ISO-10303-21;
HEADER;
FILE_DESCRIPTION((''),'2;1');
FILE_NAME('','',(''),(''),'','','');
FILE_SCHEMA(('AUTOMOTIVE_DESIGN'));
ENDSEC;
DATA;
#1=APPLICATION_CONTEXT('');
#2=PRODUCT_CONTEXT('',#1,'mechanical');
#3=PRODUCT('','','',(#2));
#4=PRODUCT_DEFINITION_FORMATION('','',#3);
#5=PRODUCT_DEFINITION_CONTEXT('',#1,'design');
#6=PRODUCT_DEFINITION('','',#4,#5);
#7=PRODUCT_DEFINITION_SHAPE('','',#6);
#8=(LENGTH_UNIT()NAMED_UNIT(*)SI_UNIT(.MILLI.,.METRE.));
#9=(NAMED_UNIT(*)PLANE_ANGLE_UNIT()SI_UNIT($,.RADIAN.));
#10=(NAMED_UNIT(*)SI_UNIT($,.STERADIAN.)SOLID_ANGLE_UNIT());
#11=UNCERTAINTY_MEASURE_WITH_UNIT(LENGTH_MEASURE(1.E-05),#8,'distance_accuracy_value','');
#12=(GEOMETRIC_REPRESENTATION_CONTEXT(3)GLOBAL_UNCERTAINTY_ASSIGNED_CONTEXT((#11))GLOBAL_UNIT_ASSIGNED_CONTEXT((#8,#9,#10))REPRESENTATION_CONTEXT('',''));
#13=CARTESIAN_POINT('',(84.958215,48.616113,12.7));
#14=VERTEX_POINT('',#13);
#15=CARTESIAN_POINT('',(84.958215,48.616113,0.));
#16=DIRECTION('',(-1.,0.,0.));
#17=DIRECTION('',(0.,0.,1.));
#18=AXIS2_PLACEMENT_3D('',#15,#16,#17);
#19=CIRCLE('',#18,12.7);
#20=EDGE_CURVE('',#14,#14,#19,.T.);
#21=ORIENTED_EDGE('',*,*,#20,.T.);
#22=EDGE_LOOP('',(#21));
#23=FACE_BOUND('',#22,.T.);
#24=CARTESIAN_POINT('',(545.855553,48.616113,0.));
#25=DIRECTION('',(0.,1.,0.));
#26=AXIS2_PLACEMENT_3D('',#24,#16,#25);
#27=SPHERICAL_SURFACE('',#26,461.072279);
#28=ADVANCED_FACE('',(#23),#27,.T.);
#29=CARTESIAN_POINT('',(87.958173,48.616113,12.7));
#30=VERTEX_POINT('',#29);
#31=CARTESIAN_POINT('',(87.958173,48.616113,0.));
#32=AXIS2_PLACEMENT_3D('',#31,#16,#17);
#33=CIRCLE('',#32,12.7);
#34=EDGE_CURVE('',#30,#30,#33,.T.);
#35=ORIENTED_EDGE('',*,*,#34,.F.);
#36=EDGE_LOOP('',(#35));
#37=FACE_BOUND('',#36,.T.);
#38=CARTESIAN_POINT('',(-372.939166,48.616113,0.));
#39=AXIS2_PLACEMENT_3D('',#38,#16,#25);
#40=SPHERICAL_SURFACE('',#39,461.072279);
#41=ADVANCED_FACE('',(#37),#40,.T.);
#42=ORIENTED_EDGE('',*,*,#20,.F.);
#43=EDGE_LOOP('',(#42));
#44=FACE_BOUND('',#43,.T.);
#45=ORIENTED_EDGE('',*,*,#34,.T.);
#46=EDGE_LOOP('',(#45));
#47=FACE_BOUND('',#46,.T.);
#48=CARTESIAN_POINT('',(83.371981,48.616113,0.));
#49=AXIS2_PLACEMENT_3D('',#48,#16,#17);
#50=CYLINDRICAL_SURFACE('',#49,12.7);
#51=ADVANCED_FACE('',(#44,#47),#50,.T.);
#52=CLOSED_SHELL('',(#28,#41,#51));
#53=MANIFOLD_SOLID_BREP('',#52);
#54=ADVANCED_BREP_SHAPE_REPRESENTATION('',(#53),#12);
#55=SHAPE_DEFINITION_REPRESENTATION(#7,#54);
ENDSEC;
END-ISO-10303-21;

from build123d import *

# Parameters (mm, degrees)
SKETCH_1_ONE_SIDE_W = 2.999957714
SKETCH_1_ONE_SIDE_H = 12.7


with BuildPart() as part:
    # 草图1 one side → 旋转1 (revolve)
    with BuildSketch(Plane.XY):
        with Locations((86.458193775, 54.966113023)):
            Rectangle(SKETCH_1_ONE_SIDE_W, SKETCH_1_ONE_SIDE_H)
        with BuildLine():
            Line((84.783274229, 48.616113023), (84.958214918, 48.616113023))
            Line((84.958214918, 48.616113023), (84.958214918, 61.316113023))
            ThreePointArc((84.958214918, 61.316113023), (84.827011475, 54.96671544), (84.783274229, 48.616113023))
        make_face()
        with BuildLine():
            Line((87.958172632, 48.616113023), (88.133113321, 48.616113023))
            ThreePointArc((88.133113321, 48.616113023), (88.089376074, 54.96671544), (87.958172632, 61.316113023))
            Line((87.958172632, 61.316113023), (87.958172632, 48.616113023))
        make_face()
    revolve(axis=Axis((83.371981052, 48.616113023, 0), (1, 0, 0)))


solid = part.part
